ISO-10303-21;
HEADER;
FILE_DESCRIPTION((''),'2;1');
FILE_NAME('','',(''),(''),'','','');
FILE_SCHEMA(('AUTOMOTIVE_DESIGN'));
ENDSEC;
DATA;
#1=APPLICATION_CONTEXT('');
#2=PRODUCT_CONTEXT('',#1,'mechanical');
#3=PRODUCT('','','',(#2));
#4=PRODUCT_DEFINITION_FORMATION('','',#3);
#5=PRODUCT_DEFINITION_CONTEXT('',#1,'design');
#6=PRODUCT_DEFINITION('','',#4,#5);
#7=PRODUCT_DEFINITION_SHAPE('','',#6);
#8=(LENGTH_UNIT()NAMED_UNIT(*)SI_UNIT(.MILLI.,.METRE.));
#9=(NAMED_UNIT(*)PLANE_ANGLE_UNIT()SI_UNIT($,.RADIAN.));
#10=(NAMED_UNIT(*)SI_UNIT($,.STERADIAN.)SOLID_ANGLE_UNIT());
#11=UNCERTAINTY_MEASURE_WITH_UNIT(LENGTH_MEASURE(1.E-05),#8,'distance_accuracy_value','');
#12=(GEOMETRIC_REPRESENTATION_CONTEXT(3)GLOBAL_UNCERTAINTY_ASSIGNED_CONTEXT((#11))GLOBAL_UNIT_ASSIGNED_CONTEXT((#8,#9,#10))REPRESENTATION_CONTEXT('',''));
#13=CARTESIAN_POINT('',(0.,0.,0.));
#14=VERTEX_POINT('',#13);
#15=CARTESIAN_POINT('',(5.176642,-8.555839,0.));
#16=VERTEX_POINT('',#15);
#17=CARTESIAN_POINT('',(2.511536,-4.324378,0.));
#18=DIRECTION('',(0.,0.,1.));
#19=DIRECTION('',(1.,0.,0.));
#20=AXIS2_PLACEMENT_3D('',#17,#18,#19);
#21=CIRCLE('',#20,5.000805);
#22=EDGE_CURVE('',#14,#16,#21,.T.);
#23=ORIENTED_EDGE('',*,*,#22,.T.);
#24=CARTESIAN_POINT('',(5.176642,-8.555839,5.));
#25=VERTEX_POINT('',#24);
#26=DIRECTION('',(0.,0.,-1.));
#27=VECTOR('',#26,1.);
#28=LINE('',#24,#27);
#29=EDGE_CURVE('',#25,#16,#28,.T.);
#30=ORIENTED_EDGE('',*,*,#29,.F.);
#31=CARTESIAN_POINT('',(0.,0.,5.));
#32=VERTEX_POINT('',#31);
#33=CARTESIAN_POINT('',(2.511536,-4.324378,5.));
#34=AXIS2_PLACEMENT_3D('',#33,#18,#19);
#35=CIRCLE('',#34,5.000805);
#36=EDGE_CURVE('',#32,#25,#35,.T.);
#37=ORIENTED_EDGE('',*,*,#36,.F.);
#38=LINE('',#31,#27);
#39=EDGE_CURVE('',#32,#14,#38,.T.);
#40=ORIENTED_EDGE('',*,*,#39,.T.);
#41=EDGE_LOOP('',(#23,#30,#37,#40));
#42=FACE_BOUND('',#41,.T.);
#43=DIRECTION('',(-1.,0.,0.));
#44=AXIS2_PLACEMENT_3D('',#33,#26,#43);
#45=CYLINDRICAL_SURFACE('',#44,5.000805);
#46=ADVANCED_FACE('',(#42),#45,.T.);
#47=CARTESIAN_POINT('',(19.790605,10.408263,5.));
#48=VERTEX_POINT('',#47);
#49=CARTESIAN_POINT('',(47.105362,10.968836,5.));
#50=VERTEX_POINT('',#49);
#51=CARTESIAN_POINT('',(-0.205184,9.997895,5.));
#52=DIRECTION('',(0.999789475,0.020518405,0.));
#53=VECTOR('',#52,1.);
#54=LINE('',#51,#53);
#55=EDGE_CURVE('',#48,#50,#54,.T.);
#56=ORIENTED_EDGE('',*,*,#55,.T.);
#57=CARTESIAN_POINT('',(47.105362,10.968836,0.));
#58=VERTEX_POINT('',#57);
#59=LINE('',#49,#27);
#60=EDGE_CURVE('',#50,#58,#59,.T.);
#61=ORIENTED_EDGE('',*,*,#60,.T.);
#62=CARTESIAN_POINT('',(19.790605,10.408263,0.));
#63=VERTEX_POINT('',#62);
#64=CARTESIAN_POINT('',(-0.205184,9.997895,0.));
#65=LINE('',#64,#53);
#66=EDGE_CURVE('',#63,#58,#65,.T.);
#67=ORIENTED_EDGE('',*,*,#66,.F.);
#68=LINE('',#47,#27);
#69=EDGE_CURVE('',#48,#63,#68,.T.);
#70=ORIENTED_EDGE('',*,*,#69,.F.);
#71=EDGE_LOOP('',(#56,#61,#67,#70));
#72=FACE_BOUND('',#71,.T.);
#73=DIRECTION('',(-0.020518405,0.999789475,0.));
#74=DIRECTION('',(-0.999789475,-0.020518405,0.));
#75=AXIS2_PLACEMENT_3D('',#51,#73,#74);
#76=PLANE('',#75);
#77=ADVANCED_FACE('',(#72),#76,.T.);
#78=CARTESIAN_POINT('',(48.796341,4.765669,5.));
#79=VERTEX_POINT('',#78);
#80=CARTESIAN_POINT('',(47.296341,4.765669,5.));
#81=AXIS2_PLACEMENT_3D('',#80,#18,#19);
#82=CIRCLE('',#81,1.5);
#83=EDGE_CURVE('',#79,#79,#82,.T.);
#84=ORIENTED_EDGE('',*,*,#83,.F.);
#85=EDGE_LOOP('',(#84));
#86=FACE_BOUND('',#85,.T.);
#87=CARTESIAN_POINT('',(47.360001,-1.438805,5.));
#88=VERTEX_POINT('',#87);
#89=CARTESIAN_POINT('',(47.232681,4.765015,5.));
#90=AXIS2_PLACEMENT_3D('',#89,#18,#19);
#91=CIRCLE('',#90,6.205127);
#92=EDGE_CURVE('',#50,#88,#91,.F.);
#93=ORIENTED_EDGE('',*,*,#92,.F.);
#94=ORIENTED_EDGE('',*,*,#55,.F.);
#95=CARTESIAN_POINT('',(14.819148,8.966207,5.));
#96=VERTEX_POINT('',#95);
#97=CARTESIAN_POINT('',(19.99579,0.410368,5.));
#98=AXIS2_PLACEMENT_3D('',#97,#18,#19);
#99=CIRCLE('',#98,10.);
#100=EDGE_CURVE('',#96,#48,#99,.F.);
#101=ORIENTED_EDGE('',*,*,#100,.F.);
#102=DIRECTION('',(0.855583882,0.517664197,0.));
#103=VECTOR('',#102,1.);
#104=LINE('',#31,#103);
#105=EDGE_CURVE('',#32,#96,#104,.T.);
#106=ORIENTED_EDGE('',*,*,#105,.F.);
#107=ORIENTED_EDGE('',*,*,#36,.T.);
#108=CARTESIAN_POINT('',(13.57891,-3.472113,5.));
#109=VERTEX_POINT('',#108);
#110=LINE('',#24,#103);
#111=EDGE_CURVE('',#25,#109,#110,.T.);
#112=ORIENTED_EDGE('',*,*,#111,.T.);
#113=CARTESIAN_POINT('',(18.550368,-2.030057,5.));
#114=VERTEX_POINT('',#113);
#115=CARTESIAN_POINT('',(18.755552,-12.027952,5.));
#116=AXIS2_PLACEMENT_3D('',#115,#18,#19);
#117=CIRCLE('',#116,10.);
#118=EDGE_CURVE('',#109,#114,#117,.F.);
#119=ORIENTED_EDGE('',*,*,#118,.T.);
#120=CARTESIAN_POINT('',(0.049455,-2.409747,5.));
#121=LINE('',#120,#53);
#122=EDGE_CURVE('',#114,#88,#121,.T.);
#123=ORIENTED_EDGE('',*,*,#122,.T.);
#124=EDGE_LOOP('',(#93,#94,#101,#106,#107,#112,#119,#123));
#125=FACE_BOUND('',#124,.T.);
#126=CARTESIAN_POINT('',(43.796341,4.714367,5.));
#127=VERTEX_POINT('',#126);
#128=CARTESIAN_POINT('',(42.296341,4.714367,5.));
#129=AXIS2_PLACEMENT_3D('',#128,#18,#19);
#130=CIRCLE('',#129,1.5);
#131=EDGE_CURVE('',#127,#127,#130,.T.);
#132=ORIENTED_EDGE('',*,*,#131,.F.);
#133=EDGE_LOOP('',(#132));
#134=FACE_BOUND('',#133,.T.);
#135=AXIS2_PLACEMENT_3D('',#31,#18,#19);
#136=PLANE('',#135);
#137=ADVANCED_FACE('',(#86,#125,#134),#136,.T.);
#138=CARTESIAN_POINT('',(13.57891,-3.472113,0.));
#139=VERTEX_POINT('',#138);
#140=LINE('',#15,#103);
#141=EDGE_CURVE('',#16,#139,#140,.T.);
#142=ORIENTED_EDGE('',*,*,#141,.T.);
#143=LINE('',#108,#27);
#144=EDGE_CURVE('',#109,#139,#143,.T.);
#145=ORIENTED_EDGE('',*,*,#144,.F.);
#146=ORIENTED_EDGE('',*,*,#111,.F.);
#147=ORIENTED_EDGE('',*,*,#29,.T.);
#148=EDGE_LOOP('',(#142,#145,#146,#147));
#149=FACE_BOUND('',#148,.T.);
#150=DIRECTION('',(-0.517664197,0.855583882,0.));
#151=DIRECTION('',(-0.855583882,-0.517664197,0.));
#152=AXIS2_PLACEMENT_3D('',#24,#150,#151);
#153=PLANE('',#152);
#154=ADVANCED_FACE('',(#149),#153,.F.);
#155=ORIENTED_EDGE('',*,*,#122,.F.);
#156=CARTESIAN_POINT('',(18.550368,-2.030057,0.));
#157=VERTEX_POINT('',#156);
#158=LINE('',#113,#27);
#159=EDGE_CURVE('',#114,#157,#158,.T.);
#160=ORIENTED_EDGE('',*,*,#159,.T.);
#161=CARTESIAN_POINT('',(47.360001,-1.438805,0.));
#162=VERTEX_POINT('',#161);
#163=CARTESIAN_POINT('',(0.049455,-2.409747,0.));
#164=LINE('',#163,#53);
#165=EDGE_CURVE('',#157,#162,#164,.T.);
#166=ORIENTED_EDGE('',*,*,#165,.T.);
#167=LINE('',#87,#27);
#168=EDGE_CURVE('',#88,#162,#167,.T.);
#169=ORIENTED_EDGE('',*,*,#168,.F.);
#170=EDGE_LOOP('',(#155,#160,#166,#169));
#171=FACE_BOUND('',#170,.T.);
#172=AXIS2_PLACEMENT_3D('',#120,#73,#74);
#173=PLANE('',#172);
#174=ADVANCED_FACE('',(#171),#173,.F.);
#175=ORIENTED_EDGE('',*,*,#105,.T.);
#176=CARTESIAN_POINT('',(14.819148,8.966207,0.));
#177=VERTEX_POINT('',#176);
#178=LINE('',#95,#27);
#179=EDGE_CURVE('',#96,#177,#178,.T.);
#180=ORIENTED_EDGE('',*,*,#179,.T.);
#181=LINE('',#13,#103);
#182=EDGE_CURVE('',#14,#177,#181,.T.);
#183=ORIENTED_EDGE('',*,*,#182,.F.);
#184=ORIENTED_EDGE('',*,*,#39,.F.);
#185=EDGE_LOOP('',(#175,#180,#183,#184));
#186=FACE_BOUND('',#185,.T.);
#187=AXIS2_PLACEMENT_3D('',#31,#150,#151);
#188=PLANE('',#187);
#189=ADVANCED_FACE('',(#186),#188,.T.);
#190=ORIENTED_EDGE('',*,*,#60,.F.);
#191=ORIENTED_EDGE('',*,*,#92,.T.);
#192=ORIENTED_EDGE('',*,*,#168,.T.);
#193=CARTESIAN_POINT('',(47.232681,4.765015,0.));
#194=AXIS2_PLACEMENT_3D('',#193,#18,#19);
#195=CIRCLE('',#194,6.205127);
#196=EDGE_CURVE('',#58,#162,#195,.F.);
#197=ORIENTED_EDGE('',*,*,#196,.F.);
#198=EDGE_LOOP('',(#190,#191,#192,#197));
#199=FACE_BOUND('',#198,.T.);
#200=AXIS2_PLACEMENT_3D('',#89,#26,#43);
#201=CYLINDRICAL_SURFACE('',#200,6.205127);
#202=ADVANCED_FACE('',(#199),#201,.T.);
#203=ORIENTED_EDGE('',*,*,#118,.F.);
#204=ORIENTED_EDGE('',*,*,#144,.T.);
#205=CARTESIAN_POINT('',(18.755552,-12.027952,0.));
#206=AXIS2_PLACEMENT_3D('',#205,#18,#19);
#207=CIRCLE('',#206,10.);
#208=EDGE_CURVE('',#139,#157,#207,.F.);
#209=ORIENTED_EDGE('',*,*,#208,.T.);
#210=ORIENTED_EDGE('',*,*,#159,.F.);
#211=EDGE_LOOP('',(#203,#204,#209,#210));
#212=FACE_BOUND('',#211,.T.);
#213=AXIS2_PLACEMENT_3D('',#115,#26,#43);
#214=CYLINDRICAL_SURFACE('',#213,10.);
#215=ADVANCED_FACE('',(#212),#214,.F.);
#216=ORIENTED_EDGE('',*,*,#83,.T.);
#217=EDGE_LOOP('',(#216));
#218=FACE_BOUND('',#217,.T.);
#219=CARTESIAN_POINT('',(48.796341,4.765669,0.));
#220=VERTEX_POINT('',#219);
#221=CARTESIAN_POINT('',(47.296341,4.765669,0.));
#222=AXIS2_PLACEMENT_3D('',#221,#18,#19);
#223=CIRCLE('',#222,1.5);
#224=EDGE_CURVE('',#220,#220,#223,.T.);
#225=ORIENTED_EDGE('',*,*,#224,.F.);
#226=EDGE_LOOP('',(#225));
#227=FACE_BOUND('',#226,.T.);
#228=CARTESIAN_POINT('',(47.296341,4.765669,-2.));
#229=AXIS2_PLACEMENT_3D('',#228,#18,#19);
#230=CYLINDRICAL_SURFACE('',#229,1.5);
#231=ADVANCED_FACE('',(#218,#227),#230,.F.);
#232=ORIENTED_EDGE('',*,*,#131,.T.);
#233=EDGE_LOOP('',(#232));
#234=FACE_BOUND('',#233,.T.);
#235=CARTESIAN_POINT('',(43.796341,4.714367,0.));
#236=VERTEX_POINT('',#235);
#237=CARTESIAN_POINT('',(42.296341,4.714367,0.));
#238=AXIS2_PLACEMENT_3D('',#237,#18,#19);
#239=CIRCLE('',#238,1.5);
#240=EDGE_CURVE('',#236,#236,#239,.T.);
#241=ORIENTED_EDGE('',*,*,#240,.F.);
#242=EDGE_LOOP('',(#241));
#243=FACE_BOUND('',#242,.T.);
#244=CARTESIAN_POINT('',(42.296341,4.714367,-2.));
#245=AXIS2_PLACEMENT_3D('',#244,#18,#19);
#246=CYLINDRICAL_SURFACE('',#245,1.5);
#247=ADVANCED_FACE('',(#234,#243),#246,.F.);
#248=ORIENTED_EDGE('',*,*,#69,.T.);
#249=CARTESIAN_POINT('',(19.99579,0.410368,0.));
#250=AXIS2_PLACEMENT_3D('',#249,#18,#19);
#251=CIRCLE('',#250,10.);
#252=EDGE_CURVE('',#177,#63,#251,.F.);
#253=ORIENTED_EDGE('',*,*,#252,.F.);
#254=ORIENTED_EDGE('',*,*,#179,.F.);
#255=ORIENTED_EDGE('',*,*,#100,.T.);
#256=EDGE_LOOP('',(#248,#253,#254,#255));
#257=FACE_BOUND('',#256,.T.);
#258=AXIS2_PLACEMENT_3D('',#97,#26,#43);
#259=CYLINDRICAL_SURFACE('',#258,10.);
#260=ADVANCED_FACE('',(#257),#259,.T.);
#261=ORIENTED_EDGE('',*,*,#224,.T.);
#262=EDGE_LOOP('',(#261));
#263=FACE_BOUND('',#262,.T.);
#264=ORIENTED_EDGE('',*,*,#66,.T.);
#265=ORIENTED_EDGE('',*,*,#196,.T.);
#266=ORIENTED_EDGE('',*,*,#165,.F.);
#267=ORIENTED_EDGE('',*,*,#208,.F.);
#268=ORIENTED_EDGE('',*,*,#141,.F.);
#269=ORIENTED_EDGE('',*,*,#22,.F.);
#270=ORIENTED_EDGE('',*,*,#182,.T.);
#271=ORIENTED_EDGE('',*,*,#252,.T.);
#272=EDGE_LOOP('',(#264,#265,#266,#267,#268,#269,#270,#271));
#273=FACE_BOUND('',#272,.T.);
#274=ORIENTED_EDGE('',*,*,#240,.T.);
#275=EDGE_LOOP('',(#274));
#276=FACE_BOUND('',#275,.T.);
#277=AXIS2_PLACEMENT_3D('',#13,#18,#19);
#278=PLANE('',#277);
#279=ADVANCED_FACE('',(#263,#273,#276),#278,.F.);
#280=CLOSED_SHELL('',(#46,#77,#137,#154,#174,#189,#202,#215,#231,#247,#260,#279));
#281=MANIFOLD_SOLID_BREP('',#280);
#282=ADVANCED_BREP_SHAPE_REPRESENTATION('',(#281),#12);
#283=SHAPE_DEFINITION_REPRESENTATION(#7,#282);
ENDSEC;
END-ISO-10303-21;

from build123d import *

# Parameters (mm, degrees)
BOSS_EXTRUDE1_DEPTH = 5
SKETCH4_R           = 1.5
CUT_EXTRUDE1_DEPTH  = 7


with BuildPart() as part:
    # Sketch3 → Boss-Extrude1 (new body)
    with BuildSketch(Plane.XY):
        with BuildLine():
            Line((0, 0), (14.819147534, 8.966206911))
            ThreePointArc((14.819147534, 8.966206911), (17.209951364, 10.014487306), (19.790605461, 10.408262847))
            Line((19.790605461, 10.408262847), (47.105361897, 10.968836088))
            ThreePointArc((47.105361897, 10.968836088), (53.436501891, 4.892334708), (47.360000511, -1.438805286))
            Line((47.360000511, -1.438805286), (18.550368321, -2.030057451))
            ThreePointArc((18.550368321, -2.030057451), (15.969714225, -2.423832993), (13.578910394, -3.472113387))
            Line((13.578910394, -3.472113387), (5.176641974, -8.555838818))
            ThreePointArc((5.176641974, -8.555838818), (-1.767072681, -6.913115578), (0, 0))
        make_face()
    extrude(amount=BOSS_EXTRUDE1_DEPTH)

    # Sketch4 → Cut-Extrude1 (cut)
    with BuildSketch(Plane.XY.offset(5)):
        with Locations((47.296340858, 4.765668567)):
            Circle(SKETCH4_R)
        with Locations((42.296340858, 4.714367155)):
            Circle(SKETCH4_R)
    extrude(amount=-CUT_EXTRUDE1_DEPTH, mode=Mode.SUBTRACT)


solid = part.part
